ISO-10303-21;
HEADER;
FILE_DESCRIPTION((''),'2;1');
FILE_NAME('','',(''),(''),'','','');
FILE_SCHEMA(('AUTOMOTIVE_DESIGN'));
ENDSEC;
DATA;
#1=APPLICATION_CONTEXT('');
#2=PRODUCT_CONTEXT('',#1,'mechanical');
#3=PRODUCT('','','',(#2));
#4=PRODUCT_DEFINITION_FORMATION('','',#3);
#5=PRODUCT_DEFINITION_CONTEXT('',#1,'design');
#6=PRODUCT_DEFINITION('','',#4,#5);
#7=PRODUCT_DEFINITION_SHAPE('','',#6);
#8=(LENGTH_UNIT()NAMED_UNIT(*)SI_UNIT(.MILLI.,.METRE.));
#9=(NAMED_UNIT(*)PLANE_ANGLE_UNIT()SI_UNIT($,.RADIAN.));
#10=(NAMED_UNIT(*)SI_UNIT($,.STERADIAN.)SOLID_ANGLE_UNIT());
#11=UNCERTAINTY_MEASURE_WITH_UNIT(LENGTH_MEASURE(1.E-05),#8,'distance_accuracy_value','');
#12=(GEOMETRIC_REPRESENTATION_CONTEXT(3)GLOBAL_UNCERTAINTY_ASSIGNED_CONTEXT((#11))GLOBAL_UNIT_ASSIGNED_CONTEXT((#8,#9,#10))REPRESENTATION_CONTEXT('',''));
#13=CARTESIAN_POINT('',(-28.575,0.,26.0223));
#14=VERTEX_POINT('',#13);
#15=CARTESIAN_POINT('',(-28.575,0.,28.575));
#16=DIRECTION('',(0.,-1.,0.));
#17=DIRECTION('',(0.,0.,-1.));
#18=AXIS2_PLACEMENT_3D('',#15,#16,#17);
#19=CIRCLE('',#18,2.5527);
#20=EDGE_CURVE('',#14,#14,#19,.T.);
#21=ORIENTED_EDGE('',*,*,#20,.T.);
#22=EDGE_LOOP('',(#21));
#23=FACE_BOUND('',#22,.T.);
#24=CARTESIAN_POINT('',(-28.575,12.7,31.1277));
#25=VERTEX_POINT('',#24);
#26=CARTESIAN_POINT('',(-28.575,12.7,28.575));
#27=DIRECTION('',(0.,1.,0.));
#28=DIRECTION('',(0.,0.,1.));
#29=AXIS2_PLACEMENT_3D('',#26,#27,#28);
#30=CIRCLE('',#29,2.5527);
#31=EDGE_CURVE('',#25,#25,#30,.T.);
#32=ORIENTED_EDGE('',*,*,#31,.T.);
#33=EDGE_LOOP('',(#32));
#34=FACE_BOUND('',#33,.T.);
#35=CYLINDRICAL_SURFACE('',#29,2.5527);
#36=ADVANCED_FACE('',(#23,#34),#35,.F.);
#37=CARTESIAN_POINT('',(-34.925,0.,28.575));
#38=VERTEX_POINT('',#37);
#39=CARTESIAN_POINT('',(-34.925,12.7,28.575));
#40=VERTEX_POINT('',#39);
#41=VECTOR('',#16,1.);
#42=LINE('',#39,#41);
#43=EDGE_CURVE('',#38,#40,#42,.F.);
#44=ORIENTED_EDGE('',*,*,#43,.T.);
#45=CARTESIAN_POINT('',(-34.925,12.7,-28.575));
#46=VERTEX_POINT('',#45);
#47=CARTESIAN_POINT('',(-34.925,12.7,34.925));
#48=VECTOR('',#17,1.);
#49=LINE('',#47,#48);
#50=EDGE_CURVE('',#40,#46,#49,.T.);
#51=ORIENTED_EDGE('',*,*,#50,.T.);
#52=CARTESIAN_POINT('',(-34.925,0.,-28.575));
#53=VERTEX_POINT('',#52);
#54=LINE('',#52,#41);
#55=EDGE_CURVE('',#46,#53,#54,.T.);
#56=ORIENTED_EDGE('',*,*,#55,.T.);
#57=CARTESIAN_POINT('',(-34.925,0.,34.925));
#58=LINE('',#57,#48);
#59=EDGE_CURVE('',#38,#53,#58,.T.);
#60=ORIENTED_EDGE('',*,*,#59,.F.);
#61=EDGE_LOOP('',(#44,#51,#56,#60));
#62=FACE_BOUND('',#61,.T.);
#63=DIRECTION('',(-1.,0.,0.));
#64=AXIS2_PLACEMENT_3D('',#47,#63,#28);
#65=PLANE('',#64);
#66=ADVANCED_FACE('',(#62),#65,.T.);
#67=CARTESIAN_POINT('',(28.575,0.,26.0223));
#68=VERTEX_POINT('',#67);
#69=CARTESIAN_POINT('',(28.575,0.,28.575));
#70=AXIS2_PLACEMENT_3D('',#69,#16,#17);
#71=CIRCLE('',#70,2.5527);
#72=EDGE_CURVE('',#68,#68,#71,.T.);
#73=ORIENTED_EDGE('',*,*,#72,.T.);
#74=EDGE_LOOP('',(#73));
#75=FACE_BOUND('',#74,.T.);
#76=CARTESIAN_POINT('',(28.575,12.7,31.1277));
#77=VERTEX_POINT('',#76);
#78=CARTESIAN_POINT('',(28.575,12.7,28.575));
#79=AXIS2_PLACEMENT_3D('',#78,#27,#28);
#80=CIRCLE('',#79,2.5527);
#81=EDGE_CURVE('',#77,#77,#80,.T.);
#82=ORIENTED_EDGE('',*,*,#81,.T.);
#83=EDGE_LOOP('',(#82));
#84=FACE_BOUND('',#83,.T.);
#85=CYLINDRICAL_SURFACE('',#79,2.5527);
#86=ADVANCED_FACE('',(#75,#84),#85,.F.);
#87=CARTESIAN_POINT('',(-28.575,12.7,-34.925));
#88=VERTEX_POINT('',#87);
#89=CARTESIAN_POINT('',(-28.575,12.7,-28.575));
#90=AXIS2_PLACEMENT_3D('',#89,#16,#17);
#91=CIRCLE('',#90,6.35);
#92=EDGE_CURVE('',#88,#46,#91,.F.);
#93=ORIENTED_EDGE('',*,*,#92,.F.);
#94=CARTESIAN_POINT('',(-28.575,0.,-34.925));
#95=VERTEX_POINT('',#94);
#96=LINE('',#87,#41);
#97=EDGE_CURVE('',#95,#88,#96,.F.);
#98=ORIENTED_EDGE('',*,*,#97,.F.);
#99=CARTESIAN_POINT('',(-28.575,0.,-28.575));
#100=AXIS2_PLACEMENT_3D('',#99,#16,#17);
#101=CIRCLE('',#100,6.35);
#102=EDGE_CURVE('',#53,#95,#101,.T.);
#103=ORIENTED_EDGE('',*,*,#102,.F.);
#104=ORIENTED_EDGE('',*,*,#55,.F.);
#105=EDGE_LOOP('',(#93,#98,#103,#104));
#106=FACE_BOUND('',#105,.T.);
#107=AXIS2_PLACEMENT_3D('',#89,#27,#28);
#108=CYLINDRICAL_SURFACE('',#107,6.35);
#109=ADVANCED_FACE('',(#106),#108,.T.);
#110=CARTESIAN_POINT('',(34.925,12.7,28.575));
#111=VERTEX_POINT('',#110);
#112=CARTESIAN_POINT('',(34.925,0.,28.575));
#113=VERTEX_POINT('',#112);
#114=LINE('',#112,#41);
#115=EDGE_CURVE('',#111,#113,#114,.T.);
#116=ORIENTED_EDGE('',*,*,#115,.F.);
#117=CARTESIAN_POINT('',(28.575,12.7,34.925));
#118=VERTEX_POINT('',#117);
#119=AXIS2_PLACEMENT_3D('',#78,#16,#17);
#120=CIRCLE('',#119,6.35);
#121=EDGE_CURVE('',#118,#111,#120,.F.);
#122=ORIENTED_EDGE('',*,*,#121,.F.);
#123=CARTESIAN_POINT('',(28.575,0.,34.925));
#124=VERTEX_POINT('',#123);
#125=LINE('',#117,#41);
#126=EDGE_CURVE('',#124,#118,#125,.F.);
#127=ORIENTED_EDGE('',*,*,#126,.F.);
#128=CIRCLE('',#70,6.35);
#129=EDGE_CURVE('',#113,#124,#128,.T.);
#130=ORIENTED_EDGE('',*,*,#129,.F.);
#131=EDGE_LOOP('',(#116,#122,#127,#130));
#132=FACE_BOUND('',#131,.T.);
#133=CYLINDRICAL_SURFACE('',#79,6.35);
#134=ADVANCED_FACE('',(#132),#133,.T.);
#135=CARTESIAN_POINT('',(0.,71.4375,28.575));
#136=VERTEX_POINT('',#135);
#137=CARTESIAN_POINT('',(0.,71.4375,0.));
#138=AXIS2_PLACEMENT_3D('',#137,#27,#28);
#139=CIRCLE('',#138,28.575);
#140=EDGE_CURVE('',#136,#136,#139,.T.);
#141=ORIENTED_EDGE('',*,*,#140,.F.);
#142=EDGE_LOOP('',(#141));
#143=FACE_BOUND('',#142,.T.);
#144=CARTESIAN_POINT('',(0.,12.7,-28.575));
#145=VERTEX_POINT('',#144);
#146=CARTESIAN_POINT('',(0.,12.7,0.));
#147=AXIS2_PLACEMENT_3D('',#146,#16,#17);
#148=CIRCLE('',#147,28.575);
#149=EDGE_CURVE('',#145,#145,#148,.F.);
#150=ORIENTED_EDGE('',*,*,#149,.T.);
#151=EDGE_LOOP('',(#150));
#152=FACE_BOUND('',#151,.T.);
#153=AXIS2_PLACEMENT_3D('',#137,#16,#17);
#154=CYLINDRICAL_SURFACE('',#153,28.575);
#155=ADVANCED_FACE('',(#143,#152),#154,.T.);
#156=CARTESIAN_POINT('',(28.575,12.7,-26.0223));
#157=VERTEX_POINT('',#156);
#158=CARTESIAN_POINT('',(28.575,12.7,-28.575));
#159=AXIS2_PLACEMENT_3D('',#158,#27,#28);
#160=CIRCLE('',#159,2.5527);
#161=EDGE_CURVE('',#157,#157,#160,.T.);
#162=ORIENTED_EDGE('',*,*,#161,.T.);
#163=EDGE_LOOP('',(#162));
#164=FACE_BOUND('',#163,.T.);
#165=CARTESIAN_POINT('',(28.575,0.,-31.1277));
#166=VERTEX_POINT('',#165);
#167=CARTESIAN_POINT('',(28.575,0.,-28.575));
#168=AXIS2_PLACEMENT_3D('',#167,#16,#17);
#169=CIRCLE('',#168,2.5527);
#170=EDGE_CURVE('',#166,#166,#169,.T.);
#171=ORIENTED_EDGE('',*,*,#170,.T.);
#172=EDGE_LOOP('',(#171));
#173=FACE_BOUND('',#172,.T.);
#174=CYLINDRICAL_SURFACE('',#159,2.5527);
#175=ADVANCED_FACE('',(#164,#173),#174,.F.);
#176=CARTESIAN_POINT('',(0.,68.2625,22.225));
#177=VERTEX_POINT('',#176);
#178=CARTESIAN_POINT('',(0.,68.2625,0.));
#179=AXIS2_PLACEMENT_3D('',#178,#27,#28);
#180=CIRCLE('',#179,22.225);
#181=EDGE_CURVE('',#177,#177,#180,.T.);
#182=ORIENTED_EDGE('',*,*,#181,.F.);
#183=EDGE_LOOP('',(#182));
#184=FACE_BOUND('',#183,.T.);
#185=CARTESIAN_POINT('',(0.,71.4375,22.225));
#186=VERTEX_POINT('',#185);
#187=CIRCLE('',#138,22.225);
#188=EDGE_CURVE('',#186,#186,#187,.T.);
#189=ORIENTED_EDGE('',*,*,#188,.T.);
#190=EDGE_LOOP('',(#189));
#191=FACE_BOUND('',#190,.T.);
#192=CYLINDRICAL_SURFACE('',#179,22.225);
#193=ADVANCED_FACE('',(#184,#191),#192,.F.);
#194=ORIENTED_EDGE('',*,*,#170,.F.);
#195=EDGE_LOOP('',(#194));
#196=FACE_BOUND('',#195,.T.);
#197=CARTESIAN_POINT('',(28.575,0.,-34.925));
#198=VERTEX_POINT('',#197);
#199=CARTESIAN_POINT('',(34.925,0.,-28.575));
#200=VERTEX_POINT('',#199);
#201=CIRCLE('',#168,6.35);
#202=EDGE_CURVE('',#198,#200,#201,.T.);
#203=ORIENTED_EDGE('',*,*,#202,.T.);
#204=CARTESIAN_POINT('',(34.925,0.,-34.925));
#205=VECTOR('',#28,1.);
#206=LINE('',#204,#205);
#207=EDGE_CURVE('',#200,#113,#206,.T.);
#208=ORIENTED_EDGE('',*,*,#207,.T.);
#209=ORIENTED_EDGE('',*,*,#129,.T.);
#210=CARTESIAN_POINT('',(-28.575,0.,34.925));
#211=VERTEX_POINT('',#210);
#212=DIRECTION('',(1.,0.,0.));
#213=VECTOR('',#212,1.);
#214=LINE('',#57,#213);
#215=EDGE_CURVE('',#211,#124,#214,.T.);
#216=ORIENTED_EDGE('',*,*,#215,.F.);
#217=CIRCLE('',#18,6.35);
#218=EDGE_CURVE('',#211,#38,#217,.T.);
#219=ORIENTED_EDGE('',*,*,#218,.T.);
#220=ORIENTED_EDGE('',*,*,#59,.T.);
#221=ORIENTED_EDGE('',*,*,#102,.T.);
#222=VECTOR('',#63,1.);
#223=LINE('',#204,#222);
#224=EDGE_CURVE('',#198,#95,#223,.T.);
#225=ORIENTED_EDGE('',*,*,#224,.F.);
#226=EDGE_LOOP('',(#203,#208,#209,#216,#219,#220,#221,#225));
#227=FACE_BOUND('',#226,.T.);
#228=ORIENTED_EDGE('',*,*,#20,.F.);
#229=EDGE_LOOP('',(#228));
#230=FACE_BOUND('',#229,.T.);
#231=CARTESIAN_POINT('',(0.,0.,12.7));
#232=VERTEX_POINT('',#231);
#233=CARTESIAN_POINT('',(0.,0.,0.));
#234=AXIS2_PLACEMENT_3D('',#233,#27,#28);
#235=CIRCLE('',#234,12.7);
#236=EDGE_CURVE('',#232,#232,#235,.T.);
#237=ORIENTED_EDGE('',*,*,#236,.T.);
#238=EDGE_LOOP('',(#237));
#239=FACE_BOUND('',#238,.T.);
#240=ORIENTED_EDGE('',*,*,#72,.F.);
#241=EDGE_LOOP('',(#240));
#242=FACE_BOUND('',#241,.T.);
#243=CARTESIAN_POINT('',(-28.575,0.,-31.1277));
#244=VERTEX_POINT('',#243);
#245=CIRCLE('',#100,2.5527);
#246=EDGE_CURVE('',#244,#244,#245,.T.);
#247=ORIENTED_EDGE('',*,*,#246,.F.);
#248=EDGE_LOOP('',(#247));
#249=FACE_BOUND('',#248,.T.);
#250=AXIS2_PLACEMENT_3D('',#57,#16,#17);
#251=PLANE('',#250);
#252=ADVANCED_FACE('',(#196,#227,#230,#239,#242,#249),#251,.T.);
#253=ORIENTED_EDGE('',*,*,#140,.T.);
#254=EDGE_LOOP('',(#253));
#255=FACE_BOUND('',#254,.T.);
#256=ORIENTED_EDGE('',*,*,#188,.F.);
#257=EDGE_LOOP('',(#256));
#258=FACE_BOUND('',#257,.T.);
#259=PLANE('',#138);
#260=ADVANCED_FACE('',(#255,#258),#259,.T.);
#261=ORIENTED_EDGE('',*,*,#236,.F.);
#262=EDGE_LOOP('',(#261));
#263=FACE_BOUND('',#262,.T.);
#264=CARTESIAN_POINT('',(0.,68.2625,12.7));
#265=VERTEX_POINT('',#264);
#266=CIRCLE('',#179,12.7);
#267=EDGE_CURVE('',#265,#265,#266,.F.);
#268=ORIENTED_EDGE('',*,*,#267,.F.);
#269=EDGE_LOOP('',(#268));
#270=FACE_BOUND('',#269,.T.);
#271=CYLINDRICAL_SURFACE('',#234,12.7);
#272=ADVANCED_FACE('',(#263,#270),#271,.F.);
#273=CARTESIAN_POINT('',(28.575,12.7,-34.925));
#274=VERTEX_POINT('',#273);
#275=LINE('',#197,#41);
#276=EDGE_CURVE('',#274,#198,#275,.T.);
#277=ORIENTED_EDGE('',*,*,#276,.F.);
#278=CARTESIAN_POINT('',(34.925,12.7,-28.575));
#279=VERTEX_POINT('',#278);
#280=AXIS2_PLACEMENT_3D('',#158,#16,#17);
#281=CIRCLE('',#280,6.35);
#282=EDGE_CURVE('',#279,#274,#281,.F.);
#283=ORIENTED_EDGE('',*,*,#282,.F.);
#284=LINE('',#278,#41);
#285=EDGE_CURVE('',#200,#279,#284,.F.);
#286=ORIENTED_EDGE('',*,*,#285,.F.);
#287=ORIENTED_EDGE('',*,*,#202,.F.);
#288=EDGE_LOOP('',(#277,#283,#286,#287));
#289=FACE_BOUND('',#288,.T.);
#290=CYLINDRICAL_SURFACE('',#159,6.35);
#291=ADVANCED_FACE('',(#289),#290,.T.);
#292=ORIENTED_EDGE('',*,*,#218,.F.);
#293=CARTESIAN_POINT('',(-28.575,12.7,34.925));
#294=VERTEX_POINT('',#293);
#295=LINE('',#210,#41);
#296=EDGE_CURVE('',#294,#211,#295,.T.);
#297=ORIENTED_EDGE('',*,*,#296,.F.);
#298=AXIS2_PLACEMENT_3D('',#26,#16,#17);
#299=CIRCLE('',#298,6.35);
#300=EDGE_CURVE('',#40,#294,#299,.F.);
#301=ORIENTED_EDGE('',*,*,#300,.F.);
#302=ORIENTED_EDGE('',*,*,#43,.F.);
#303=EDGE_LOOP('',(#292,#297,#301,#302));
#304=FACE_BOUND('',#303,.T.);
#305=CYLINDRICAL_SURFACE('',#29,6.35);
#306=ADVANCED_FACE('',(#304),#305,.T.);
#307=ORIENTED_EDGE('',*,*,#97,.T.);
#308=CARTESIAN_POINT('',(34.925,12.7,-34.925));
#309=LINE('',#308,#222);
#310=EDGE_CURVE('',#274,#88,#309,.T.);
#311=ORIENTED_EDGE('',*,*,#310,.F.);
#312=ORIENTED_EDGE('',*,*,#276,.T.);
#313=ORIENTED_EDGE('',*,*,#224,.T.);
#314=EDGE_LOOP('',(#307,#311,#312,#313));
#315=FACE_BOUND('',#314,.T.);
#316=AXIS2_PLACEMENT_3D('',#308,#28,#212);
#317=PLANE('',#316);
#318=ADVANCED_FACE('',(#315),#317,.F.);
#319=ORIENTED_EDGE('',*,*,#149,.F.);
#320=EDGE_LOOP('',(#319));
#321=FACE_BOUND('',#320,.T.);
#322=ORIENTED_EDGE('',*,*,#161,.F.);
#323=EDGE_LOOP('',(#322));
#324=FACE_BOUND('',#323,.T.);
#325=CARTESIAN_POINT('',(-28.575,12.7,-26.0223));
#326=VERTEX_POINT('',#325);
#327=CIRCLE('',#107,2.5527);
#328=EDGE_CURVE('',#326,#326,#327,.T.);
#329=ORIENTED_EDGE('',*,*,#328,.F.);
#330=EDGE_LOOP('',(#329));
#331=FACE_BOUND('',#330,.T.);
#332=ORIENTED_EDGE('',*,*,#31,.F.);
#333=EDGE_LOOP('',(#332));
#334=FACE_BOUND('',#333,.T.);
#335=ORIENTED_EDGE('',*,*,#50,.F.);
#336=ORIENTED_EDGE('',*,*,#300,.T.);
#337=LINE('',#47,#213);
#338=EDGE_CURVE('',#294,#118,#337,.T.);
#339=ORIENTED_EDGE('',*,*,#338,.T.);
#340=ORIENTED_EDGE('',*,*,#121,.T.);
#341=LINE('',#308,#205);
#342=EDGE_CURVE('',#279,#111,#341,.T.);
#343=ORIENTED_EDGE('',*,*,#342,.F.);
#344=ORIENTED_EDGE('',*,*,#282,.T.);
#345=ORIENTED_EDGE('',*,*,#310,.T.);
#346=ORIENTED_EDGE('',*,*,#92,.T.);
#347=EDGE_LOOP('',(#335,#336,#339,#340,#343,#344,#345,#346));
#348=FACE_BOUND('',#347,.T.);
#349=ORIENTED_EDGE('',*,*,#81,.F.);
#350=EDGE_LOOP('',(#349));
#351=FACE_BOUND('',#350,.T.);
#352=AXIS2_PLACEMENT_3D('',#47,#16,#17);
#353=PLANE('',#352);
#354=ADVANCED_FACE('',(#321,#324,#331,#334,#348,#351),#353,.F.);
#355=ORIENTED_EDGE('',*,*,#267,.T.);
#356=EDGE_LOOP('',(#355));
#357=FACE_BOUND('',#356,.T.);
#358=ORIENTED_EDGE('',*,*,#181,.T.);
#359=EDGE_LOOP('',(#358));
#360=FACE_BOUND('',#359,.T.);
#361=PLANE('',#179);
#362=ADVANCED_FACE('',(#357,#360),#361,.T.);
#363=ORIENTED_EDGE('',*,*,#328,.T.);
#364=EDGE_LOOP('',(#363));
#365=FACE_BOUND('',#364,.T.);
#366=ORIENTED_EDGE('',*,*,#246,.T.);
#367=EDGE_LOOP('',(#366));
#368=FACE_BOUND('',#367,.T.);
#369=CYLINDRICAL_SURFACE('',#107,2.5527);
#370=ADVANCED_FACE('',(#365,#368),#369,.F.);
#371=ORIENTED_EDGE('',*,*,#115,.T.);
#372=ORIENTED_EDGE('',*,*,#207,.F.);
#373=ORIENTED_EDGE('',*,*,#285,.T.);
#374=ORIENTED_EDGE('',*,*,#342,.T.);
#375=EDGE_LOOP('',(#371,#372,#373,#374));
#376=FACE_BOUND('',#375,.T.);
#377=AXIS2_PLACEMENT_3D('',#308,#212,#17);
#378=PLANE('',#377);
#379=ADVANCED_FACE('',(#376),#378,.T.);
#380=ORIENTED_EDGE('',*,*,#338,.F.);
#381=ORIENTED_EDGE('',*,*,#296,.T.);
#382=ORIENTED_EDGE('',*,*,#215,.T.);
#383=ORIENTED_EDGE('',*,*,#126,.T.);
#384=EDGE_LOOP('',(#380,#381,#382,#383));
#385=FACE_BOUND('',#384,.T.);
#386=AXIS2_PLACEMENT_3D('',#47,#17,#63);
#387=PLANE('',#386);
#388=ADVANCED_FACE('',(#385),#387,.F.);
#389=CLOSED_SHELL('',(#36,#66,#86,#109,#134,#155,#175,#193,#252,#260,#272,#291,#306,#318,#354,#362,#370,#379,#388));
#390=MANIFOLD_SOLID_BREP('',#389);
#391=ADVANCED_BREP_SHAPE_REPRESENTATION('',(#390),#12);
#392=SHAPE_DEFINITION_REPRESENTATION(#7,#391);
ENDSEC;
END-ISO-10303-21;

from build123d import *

# Parameters (mm, degrees)
SKETCH1_W           = 69.85
SKETCH1_H           = 69.85
BASE_EXTRUDE_DEPTH  = 12.7
SKETCH2_R           = 28.575
BOSS_EXTRUDE1_DEPTH = 71.4375
SKETCH3_R           = 12.7
CUT_EXTRUDE1_DEPTH  = 87.849453978
SKETCH4_R           = 22.225
CUT_EXTRUDE2_DEPTH  = 3.175
FILLET1_R           = 6.35
CIRPATTERN2_COUNT   = 4


with BuildPart() as part:
    # Sketch1 → Base-Extrude (new body)
    with BuildSketch(Plane(origin=(0, 0, 0), x_dir=(1, 0, 0), z_dir=(0, 1, 0))):
        Rectangle(SKETCH1_W, SKETCH1_H)
    extrude(amount=BASE_EXTRUDE_DEPTH)

    # Sketch2 → Boss-Extrude1 (add)
    with BuildSketch(Plane(origin=(0, 0, 0), x_dir=(-1, 0, 0), z_dir=(0, 1, 0))):
        with Locations(Location((0, 0, 0), (0, 0, 270))):
            Circle(SKETCH2_R)
    extrude(amount=BOSS_EXTRUDE1_DEPTH)

    # Sketch3 → Cut-Extrude1 (cut, through all)
    with BuildSketch(Plane(origin=(0, 71.4375, 0), x_dir=(-1, 0, 0), z_dir=(0, 1, 0))):
        with Locations(Location((0, 0, 0), (0, 0, 90))):
            Circle(SKETCH3_R)
    extrude(amount=-CUT_EXTRUDE1_DEPTH, mode=Mode.SUBTRACT)

    # Sketch4 → Cut-Extrude2 (cut)
    with BuildSketch(Plane(origin=(0, 71.4375, 0), x_dir=(-1, 0, 0), z_dir=(0, 1, 0))):
        with Locations(Location((0, 0, 0), (0, 0, 90))):
            Circle(SKETCH4_R)
    extrude(amount=-CUT_EXTRUDE2_DEPTH, mode=Mode.SUBTRACT)

    # Fillet1
    fillet1_edges = [part.edges().sort_by_distance(p)[0] for p in [
        (-34.925, 6.35, 34.925),
        (34.925, 6.35, 34.925),
        (34.925, 6.35, -34.925),
        (-34.925, 6.35, -34.925),
    ]]
    fillet(fillet1_edges, radius=FILLET1_R)

    # Sketch7 → 1/4-20 Tapped Hole2 (revolve, cut)
    with BuildSketch(Plane(origin=(-28.575, 12.7, -28.575), x_dir=(0, 0, 1), z_dir=(1, 0, 0))):
        Polygon((0, 0), (0, 20.583816902), (2.5527, 19.05), (2.5527, 0), align=None)
    f_1_4_20_tapped_hole2 = revolve(axis=Axis((-28.575, 19.05, -28.575), (0, -1, 0)), mode=Mode.SUBTRACT)

    # CirPattern2: 1/4-20 Tapped Hole2 ×4 about axis
    cirpattern2_axis = Axis((0, 0, 0), (0, 1, 0))
    for i in range(1, CIRPATTERN2_COUNT):
        add(f_1_4_20_tapped_hole2.rotate(cirpattern2_axis, i * 360 / CIRPATTERN2_COUNT), mode=Mode.SUBTRACT)


solid = part.part
